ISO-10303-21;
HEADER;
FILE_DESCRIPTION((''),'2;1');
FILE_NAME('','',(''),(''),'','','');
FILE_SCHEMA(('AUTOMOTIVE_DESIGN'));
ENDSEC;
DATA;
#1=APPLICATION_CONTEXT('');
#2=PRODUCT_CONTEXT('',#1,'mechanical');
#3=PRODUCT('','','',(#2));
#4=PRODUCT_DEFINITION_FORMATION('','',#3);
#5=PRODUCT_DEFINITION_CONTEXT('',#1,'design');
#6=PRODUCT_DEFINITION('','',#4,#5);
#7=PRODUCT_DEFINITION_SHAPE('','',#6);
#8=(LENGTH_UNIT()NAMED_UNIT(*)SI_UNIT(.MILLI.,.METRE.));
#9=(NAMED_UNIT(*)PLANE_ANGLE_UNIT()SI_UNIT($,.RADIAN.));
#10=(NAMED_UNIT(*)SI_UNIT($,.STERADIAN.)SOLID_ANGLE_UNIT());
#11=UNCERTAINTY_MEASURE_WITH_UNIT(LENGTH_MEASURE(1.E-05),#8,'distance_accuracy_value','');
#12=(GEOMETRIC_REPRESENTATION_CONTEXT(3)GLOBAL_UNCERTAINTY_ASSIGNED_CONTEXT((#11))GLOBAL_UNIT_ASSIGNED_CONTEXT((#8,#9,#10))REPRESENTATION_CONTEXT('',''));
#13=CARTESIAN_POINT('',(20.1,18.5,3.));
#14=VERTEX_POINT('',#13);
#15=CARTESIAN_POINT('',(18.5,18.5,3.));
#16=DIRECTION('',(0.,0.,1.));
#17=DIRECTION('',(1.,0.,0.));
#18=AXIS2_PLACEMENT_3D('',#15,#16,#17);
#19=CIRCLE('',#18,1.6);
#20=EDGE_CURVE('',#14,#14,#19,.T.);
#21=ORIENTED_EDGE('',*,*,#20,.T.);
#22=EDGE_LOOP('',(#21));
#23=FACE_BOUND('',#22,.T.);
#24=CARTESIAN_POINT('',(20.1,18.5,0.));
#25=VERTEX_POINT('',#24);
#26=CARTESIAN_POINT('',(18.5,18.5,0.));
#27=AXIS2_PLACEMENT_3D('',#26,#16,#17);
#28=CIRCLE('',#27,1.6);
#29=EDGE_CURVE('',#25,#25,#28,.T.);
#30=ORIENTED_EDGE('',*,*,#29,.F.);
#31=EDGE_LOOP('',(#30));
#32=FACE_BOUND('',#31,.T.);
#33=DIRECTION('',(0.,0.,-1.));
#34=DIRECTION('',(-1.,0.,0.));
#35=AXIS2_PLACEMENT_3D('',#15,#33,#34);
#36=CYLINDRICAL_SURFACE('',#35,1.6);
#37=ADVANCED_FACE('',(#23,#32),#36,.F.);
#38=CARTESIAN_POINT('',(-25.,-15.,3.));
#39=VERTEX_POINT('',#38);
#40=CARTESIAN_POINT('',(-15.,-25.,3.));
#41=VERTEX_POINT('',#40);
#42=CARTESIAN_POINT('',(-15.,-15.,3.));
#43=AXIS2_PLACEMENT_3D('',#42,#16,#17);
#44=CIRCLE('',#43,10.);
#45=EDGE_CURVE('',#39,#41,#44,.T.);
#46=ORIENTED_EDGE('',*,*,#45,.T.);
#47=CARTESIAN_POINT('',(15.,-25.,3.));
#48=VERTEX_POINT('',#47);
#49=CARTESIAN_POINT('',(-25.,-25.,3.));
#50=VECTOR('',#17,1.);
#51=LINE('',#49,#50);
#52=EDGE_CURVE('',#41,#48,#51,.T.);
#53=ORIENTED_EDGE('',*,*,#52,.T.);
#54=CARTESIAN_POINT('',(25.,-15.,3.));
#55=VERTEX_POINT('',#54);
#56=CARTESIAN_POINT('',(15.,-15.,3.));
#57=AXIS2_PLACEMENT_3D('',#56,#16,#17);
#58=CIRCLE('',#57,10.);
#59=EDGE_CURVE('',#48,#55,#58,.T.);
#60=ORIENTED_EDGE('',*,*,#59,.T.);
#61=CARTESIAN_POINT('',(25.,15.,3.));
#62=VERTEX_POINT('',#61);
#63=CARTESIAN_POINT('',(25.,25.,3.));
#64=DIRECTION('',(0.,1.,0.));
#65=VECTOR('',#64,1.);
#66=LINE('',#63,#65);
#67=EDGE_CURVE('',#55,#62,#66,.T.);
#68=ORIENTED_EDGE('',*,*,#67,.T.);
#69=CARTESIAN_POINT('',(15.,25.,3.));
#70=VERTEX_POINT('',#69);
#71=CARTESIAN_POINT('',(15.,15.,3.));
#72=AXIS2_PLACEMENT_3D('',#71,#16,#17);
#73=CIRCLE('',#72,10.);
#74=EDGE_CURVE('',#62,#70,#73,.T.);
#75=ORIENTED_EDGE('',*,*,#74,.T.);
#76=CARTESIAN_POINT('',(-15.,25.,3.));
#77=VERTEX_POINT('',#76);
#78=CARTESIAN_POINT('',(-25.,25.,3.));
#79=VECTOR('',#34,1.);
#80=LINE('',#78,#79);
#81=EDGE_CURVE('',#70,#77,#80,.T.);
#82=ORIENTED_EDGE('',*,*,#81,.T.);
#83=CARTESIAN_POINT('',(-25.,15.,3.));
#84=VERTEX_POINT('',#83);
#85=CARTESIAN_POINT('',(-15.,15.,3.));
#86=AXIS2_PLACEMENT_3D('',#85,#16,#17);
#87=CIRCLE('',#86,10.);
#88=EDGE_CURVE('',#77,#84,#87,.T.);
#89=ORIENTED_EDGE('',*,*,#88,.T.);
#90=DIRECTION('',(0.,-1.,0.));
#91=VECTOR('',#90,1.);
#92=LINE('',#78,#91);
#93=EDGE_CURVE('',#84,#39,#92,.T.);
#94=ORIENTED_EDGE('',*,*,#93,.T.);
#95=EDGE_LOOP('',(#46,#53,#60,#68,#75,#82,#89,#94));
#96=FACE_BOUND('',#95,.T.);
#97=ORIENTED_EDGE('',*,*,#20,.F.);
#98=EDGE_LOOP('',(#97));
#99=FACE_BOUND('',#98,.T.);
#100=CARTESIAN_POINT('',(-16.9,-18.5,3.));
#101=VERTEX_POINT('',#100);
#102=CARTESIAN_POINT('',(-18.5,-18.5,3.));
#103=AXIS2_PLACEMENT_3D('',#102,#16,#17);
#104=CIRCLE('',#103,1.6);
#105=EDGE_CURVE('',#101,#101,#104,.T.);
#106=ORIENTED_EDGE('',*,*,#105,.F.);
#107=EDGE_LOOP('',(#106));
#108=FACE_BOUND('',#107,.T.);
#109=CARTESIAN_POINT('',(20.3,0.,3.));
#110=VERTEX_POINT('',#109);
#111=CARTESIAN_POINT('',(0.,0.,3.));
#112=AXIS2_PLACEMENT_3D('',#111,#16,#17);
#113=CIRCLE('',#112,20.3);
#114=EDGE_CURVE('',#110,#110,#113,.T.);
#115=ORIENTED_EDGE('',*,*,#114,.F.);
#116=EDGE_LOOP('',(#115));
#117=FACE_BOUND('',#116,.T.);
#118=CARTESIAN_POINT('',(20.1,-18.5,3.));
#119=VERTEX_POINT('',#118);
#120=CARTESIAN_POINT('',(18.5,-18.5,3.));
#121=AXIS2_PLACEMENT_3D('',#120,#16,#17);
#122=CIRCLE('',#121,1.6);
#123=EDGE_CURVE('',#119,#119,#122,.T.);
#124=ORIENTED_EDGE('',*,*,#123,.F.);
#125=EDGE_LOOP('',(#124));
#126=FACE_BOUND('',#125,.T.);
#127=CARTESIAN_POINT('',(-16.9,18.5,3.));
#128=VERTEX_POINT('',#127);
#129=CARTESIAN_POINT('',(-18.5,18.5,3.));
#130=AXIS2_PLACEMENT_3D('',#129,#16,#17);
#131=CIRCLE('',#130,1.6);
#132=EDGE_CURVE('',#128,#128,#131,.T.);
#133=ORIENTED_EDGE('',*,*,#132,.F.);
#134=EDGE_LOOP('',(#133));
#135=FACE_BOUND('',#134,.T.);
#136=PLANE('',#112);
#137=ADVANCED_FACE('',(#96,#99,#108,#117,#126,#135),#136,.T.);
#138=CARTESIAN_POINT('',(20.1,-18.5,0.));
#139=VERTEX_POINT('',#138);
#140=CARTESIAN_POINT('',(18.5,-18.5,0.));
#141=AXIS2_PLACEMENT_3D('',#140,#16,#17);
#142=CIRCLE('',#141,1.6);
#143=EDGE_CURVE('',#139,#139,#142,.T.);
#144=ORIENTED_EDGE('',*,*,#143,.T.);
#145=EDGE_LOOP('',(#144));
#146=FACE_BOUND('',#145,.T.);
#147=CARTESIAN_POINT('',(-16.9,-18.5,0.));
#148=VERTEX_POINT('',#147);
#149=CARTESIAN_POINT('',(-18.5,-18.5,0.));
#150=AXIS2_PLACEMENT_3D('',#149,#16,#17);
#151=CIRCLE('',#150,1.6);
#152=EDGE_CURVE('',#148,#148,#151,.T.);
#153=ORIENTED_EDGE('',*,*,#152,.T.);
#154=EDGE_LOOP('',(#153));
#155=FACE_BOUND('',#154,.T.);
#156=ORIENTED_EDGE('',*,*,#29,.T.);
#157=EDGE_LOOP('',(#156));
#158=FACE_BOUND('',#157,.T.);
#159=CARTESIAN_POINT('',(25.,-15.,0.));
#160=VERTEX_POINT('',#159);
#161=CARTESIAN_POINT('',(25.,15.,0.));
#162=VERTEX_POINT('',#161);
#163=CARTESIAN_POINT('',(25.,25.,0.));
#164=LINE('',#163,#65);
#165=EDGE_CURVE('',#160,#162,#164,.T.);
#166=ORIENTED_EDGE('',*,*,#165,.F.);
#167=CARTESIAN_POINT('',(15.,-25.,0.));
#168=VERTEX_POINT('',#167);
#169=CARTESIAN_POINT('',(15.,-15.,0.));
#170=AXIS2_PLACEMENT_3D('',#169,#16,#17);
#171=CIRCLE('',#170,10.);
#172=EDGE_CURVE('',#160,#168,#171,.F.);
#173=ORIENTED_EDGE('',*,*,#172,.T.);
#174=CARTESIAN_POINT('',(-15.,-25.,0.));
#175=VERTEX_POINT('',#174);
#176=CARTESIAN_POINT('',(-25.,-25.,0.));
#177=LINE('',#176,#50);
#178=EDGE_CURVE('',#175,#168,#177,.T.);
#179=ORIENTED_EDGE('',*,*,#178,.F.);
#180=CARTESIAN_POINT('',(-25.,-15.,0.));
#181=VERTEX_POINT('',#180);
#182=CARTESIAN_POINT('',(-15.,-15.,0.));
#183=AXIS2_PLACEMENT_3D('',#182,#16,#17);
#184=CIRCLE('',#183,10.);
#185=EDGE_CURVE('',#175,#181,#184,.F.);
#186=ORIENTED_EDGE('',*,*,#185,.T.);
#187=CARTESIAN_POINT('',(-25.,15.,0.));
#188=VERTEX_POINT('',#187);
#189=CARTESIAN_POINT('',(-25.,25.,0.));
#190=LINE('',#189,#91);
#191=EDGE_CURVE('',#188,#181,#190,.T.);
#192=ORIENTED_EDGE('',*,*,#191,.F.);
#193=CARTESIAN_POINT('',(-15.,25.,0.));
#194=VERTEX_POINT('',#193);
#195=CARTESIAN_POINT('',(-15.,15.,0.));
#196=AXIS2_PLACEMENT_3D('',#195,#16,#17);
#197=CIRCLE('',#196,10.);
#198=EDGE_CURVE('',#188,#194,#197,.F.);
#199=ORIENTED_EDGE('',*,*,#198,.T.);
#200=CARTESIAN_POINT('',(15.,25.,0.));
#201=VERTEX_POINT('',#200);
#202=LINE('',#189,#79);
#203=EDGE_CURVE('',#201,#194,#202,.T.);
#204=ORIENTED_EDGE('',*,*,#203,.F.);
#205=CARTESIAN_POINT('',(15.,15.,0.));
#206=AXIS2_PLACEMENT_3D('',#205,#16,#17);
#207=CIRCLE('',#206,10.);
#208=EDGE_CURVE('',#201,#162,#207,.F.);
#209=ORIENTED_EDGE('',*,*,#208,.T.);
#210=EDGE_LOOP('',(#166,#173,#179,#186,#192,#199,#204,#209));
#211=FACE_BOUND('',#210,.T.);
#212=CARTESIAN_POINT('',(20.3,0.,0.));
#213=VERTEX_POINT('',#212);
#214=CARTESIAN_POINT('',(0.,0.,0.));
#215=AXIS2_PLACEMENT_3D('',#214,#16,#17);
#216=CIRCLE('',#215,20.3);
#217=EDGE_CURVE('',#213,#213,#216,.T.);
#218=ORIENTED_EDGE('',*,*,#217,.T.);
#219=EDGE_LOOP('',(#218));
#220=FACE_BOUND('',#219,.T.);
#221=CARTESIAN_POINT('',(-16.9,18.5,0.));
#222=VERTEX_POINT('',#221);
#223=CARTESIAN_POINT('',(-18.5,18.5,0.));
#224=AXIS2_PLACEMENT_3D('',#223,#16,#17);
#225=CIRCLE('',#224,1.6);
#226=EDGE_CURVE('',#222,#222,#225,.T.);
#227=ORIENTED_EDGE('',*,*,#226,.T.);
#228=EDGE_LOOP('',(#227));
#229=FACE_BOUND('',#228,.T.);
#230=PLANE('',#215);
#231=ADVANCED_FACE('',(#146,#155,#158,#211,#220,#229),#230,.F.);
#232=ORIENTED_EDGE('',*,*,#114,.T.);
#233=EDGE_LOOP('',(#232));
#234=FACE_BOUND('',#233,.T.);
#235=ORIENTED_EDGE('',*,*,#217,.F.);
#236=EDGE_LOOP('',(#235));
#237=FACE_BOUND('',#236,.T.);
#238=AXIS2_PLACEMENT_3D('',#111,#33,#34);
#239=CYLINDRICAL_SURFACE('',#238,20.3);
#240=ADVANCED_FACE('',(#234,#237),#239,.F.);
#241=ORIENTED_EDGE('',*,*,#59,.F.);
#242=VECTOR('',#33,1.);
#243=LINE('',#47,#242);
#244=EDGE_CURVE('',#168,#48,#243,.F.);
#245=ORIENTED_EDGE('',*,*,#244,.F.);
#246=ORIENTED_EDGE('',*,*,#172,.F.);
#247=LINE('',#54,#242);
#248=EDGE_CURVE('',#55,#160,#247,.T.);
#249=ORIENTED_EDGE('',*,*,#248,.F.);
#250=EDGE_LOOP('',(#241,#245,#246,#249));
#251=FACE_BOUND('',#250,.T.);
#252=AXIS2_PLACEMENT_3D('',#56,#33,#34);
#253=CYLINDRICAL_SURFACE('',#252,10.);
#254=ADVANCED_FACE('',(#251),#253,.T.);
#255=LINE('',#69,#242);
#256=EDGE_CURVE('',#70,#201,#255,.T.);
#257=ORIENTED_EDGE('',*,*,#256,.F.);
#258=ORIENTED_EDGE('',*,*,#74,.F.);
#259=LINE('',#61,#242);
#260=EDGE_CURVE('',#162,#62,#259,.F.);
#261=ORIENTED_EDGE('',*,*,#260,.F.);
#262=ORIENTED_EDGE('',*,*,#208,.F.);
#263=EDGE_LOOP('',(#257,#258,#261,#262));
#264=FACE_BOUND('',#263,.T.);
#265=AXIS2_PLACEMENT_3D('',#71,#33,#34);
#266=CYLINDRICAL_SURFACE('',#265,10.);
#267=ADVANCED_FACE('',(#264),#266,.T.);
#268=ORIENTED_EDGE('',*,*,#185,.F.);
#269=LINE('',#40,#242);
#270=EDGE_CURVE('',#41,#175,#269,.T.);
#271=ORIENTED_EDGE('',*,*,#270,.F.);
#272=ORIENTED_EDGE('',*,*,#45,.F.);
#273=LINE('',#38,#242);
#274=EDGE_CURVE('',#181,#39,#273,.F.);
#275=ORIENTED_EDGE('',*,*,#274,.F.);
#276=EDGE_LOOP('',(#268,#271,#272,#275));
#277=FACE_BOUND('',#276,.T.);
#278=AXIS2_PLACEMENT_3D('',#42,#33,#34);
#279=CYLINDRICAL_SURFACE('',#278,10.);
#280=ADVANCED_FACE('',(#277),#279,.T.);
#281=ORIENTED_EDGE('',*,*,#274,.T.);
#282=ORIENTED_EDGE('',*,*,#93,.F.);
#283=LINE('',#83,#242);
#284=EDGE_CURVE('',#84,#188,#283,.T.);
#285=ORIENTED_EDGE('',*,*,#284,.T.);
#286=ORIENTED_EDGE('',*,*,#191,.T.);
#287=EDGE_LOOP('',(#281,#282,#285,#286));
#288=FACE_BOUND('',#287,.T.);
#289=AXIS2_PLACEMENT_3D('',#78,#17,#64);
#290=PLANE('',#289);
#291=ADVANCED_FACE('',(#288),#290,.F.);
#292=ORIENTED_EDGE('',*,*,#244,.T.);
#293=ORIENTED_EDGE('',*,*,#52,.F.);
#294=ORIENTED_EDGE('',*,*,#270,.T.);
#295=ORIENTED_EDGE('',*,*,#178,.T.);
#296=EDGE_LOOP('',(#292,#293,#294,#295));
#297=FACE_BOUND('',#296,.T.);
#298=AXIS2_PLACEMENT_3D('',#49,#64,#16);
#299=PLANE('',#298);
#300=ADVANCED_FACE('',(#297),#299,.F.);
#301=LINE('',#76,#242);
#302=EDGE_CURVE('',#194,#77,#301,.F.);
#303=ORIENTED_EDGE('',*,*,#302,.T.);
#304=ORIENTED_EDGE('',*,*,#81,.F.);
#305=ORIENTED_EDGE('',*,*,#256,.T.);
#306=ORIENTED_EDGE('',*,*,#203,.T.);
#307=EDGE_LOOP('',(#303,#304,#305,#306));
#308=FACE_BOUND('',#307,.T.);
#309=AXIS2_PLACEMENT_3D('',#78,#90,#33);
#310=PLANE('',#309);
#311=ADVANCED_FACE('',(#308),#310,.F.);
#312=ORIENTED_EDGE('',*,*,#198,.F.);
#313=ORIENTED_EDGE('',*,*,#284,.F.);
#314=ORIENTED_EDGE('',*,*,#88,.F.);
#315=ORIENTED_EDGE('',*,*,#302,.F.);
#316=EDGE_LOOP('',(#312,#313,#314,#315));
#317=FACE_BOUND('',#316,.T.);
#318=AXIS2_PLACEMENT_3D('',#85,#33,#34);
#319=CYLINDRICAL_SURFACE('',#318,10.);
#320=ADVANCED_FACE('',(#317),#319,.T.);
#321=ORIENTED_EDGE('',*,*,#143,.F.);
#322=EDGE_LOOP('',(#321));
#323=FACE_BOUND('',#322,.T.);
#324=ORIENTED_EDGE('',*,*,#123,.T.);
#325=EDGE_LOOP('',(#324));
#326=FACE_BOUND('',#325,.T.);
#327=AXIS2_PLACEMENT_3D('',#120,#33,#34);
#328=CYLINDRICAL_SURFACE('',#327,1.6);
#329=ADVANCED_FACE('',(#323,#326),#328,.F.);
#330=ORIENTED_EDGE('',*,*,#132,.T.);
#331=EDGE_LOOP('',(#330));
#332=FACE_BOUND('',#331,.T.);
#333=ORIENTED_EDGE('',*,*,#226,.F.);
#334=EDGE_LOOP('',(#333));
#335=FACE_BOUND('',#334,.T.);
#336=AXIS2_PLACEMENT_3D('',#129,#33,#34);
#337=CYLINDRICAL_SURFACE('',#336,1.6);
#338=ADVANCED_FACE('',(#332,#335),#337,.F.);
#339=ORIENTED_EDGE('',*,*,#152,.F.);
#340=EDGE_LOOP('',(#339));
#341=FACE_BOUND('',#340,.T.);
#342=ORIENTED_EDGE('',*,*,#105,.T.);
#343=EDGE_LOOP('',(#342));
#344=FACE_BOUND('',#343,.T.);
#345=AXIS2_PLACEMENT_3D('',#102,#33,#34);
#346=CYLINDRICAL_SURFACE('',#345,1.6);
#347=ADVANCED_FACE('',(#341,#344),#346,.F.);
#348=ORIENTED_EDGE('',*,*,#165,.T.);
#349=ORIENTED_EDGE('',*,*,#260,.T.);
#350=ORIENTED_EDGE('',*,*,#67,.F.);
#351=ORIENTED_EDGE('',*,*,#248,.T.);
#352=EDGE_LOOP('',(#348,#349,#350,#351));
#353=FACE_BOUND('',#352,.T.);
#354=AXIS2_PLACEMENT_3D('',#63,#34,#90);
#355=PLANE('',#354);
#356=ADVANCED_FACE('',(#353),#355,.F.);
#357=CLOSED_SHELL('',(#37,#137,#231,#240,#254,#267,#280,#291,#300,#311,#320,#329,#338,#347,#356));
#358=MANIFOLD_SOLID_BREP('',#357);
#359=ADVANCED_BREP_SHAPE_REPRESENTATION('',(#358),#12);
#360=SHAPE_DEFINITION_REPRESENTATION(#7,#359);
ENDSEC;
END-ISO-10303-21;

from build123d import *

# Parameters (mm, degrees)
SKETCH_2_W      = 50
SKETCH_2_H      = 50
SKETCH_2_R      = 1.6
SKETCH_2_R_2    = 20.3
EXTRUDE_1_DEPTH = 3
FILLET_1_R      = 10


with BuildPart() as part:
    # 草图2 → 凸台-拉伸1 (new body)
    with BuildSketch(Plane.XY):
        Rectangle(SKETCH_2_W, SKETCH_2_H)
        with Locations((-18.5, 18.5)):
            Circle(SKETCH_2_R, mode=Mode.SUBTRACT)
        with Locations((18.5, 18.5)):
            Circle(SKETCH_2_R, mode=Mode.SUBTRACT)
        with Locations((18.5, -18.5)):
            Circle(SKETCH_2_R, mode=Mode.SUBTRACT)
        with Locations((-18.5, -18.5)):
            Circle(SKETCH_2_R, mode=Mode.SUBTRACT)
        Circle(SKETCH_2_R_2, mode=Mode.SUBTRACT)
    extrude(amount=EXTRUDE_1_DEPTH)

    # 圆角1
    fillet_1_edges = [part.edges().sort_by_distance(p)[0] for p in [
        (25, -25, 1.5),
        (-25, -25, 1.5),
        (-25, 25, 1.5),
        (25, 25, 1.5),
    ]]
    fillet(fillet_1_edges, radius=FILLET_1_R)


solid = part.part
